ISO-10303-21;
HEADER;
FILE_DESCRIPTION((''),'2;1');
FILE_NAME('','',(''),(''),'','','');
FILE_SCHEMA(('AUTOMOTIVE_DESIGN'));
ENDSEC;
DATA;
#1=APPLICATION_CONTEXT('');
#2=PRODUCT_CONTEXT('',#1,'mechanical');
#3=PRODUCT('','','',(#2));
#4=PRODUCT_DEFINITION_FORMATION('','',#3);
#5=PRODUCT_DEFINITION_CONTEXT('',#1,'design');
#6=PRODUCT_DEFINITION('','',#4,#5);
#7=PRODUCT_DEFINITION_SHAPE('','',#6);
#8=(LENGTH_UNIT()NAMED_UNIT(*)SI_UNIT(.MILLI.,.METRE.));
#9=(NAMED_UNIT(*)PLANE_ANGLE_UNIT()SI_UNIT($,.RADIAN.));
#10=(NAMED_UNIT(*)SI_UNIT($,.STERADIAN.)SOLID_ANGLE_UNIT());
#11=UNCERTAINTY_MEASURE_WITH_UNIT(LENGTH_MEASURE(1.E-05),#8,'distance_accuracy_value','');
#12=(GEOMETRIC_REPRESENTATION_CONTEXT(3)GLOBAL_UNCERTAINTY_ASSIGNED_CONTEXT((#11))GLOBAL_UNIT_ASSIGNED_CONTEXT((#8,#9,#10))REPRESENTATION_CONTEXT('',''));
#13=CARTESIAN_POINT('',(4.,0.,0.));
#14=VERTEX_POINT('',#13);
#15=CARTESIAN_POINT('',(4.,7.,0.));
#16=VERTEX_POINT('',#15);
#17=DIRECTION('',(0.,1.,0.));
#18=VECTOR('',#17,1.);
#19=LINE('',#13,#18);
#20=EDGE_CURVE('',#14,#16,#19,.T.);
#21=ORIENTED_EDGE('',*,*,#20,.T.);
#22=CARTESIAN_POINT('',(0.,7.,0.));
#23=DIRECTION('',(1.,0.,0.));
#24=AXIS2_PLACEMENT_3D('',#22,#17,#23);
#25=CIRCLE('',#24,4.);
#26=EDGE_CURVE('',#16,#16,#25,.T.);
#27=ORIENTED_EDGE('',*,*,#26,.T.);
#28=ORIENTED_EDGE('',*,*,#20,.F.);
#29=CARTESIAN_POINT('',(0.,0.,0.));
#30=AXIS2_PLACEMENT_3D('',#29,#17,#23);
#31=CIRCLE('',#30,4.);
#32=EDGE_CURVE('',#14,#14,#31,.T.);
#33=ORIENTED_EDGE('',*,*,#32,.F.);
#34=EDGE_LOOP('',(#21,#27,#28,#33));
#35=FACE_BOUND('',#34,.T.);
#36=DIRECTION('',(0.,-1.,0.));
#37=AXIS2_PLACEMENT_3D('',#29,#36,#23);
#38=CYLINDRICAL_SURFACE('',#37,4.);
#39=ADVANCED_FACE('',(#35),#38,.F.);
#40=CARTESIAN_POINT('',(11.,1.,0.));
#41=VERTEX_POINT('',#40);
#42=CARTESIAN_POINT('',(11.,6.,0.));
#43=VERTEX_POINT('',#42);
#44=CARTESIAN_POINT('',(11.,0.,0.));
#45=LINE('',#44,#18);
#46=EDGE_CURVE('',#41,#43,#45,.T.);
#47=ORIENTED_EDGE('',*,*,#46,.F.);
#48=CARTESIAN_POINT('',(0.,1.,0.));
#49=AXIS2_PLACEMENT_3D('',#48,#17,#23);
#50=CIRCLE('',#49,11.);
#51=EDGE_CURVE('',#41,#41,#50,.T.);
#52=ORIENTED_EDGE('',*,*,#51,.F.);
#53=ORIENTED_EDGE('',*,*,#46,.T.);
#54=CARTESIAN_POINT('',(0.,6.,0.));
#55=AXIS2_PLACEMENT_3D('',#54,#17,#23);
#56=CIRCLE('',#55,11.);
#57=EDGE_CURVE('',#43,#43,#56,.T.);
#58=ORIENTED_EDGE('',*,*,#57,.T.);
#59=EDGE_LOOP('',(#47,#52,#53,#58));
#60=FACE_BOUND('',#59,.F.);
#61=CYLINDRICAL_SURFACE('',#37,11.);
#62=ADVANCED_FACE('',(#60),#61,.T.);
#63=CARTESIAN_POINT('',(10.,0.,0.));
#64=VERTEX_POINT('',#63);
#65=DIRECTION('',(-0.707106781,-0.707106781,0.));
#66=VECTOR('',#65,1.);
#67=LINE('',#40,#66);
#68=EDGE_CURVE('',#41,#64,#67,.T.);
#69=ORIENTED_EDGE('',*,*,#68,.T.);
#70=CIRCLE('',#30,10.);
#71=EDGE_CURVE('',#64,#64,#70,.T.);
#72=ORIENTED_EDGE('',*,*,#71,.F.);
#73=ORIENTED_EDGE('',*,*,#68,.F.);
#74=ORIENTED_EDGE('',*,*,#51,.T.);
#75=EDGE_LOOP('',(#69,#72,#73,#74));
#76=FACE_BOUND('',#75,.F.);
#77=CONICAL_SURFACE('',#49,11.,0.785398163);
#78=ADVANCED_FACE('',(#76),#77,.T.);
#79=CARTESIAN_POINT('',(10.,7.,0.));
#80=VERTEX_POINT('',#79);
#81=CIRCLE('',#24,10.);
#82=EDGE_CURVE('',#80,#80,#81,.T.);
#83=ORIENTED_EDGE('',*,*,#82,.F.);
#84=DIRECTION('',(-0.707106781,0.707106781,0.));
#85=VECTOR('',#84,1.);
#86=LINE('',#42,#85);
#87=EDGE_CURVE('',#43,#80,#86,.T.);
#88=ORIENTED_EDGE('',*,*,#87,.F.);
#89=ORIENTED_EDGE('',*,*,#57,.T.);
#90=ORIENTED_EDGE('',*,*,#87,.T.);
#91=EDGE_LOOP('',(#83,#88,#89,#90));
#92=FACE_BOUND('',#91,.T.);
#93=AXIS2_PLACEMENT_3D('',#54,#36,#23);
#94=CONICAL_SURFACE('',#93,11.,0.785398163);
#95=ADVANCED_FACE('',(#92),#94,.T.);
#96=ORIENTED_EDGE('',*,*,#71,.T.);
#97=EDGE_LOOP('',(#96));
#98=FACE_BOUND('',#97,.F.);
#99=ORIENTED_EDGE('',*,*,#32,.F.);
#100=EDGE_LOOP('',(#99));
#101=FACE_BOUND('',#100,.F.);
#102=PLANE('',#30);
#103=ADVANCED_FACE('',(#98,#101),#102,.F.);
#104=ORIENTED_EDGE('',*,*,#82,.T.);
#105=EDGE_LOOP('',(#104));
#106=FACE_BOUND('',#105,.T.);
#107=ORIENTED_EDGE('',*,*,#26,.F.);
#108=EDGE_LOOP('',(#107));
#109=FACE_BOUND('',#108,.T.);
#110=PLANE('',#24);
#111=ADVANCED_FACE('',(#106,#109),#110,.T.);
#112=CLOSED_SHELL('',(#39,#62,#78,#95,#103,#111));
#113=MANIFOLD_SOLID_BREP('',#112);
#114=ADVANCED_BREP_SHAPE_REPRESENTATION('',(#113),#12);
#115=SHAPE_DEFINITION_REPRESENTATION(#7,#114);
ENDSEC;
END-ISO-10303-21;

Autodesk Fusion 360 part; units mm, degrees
sketch "Sketch1" plane through (0, 0, 0) normal (0, 1, 0) x (1, 0, 0)
  circle A0 centre (0, 0) radius 4
  circle A1 centre (0, 0) radius 11
  dimension "d1" = 8
  dimension "d2" = 22
extrude "Extrude1" add sketch "Sketch1" along normal blind 7
chamfer "Chamfer1" distance 1 angle 45 2 edges at (-10.2556, 7, 3.9778) (-10.2556, 0, 3.9778)
